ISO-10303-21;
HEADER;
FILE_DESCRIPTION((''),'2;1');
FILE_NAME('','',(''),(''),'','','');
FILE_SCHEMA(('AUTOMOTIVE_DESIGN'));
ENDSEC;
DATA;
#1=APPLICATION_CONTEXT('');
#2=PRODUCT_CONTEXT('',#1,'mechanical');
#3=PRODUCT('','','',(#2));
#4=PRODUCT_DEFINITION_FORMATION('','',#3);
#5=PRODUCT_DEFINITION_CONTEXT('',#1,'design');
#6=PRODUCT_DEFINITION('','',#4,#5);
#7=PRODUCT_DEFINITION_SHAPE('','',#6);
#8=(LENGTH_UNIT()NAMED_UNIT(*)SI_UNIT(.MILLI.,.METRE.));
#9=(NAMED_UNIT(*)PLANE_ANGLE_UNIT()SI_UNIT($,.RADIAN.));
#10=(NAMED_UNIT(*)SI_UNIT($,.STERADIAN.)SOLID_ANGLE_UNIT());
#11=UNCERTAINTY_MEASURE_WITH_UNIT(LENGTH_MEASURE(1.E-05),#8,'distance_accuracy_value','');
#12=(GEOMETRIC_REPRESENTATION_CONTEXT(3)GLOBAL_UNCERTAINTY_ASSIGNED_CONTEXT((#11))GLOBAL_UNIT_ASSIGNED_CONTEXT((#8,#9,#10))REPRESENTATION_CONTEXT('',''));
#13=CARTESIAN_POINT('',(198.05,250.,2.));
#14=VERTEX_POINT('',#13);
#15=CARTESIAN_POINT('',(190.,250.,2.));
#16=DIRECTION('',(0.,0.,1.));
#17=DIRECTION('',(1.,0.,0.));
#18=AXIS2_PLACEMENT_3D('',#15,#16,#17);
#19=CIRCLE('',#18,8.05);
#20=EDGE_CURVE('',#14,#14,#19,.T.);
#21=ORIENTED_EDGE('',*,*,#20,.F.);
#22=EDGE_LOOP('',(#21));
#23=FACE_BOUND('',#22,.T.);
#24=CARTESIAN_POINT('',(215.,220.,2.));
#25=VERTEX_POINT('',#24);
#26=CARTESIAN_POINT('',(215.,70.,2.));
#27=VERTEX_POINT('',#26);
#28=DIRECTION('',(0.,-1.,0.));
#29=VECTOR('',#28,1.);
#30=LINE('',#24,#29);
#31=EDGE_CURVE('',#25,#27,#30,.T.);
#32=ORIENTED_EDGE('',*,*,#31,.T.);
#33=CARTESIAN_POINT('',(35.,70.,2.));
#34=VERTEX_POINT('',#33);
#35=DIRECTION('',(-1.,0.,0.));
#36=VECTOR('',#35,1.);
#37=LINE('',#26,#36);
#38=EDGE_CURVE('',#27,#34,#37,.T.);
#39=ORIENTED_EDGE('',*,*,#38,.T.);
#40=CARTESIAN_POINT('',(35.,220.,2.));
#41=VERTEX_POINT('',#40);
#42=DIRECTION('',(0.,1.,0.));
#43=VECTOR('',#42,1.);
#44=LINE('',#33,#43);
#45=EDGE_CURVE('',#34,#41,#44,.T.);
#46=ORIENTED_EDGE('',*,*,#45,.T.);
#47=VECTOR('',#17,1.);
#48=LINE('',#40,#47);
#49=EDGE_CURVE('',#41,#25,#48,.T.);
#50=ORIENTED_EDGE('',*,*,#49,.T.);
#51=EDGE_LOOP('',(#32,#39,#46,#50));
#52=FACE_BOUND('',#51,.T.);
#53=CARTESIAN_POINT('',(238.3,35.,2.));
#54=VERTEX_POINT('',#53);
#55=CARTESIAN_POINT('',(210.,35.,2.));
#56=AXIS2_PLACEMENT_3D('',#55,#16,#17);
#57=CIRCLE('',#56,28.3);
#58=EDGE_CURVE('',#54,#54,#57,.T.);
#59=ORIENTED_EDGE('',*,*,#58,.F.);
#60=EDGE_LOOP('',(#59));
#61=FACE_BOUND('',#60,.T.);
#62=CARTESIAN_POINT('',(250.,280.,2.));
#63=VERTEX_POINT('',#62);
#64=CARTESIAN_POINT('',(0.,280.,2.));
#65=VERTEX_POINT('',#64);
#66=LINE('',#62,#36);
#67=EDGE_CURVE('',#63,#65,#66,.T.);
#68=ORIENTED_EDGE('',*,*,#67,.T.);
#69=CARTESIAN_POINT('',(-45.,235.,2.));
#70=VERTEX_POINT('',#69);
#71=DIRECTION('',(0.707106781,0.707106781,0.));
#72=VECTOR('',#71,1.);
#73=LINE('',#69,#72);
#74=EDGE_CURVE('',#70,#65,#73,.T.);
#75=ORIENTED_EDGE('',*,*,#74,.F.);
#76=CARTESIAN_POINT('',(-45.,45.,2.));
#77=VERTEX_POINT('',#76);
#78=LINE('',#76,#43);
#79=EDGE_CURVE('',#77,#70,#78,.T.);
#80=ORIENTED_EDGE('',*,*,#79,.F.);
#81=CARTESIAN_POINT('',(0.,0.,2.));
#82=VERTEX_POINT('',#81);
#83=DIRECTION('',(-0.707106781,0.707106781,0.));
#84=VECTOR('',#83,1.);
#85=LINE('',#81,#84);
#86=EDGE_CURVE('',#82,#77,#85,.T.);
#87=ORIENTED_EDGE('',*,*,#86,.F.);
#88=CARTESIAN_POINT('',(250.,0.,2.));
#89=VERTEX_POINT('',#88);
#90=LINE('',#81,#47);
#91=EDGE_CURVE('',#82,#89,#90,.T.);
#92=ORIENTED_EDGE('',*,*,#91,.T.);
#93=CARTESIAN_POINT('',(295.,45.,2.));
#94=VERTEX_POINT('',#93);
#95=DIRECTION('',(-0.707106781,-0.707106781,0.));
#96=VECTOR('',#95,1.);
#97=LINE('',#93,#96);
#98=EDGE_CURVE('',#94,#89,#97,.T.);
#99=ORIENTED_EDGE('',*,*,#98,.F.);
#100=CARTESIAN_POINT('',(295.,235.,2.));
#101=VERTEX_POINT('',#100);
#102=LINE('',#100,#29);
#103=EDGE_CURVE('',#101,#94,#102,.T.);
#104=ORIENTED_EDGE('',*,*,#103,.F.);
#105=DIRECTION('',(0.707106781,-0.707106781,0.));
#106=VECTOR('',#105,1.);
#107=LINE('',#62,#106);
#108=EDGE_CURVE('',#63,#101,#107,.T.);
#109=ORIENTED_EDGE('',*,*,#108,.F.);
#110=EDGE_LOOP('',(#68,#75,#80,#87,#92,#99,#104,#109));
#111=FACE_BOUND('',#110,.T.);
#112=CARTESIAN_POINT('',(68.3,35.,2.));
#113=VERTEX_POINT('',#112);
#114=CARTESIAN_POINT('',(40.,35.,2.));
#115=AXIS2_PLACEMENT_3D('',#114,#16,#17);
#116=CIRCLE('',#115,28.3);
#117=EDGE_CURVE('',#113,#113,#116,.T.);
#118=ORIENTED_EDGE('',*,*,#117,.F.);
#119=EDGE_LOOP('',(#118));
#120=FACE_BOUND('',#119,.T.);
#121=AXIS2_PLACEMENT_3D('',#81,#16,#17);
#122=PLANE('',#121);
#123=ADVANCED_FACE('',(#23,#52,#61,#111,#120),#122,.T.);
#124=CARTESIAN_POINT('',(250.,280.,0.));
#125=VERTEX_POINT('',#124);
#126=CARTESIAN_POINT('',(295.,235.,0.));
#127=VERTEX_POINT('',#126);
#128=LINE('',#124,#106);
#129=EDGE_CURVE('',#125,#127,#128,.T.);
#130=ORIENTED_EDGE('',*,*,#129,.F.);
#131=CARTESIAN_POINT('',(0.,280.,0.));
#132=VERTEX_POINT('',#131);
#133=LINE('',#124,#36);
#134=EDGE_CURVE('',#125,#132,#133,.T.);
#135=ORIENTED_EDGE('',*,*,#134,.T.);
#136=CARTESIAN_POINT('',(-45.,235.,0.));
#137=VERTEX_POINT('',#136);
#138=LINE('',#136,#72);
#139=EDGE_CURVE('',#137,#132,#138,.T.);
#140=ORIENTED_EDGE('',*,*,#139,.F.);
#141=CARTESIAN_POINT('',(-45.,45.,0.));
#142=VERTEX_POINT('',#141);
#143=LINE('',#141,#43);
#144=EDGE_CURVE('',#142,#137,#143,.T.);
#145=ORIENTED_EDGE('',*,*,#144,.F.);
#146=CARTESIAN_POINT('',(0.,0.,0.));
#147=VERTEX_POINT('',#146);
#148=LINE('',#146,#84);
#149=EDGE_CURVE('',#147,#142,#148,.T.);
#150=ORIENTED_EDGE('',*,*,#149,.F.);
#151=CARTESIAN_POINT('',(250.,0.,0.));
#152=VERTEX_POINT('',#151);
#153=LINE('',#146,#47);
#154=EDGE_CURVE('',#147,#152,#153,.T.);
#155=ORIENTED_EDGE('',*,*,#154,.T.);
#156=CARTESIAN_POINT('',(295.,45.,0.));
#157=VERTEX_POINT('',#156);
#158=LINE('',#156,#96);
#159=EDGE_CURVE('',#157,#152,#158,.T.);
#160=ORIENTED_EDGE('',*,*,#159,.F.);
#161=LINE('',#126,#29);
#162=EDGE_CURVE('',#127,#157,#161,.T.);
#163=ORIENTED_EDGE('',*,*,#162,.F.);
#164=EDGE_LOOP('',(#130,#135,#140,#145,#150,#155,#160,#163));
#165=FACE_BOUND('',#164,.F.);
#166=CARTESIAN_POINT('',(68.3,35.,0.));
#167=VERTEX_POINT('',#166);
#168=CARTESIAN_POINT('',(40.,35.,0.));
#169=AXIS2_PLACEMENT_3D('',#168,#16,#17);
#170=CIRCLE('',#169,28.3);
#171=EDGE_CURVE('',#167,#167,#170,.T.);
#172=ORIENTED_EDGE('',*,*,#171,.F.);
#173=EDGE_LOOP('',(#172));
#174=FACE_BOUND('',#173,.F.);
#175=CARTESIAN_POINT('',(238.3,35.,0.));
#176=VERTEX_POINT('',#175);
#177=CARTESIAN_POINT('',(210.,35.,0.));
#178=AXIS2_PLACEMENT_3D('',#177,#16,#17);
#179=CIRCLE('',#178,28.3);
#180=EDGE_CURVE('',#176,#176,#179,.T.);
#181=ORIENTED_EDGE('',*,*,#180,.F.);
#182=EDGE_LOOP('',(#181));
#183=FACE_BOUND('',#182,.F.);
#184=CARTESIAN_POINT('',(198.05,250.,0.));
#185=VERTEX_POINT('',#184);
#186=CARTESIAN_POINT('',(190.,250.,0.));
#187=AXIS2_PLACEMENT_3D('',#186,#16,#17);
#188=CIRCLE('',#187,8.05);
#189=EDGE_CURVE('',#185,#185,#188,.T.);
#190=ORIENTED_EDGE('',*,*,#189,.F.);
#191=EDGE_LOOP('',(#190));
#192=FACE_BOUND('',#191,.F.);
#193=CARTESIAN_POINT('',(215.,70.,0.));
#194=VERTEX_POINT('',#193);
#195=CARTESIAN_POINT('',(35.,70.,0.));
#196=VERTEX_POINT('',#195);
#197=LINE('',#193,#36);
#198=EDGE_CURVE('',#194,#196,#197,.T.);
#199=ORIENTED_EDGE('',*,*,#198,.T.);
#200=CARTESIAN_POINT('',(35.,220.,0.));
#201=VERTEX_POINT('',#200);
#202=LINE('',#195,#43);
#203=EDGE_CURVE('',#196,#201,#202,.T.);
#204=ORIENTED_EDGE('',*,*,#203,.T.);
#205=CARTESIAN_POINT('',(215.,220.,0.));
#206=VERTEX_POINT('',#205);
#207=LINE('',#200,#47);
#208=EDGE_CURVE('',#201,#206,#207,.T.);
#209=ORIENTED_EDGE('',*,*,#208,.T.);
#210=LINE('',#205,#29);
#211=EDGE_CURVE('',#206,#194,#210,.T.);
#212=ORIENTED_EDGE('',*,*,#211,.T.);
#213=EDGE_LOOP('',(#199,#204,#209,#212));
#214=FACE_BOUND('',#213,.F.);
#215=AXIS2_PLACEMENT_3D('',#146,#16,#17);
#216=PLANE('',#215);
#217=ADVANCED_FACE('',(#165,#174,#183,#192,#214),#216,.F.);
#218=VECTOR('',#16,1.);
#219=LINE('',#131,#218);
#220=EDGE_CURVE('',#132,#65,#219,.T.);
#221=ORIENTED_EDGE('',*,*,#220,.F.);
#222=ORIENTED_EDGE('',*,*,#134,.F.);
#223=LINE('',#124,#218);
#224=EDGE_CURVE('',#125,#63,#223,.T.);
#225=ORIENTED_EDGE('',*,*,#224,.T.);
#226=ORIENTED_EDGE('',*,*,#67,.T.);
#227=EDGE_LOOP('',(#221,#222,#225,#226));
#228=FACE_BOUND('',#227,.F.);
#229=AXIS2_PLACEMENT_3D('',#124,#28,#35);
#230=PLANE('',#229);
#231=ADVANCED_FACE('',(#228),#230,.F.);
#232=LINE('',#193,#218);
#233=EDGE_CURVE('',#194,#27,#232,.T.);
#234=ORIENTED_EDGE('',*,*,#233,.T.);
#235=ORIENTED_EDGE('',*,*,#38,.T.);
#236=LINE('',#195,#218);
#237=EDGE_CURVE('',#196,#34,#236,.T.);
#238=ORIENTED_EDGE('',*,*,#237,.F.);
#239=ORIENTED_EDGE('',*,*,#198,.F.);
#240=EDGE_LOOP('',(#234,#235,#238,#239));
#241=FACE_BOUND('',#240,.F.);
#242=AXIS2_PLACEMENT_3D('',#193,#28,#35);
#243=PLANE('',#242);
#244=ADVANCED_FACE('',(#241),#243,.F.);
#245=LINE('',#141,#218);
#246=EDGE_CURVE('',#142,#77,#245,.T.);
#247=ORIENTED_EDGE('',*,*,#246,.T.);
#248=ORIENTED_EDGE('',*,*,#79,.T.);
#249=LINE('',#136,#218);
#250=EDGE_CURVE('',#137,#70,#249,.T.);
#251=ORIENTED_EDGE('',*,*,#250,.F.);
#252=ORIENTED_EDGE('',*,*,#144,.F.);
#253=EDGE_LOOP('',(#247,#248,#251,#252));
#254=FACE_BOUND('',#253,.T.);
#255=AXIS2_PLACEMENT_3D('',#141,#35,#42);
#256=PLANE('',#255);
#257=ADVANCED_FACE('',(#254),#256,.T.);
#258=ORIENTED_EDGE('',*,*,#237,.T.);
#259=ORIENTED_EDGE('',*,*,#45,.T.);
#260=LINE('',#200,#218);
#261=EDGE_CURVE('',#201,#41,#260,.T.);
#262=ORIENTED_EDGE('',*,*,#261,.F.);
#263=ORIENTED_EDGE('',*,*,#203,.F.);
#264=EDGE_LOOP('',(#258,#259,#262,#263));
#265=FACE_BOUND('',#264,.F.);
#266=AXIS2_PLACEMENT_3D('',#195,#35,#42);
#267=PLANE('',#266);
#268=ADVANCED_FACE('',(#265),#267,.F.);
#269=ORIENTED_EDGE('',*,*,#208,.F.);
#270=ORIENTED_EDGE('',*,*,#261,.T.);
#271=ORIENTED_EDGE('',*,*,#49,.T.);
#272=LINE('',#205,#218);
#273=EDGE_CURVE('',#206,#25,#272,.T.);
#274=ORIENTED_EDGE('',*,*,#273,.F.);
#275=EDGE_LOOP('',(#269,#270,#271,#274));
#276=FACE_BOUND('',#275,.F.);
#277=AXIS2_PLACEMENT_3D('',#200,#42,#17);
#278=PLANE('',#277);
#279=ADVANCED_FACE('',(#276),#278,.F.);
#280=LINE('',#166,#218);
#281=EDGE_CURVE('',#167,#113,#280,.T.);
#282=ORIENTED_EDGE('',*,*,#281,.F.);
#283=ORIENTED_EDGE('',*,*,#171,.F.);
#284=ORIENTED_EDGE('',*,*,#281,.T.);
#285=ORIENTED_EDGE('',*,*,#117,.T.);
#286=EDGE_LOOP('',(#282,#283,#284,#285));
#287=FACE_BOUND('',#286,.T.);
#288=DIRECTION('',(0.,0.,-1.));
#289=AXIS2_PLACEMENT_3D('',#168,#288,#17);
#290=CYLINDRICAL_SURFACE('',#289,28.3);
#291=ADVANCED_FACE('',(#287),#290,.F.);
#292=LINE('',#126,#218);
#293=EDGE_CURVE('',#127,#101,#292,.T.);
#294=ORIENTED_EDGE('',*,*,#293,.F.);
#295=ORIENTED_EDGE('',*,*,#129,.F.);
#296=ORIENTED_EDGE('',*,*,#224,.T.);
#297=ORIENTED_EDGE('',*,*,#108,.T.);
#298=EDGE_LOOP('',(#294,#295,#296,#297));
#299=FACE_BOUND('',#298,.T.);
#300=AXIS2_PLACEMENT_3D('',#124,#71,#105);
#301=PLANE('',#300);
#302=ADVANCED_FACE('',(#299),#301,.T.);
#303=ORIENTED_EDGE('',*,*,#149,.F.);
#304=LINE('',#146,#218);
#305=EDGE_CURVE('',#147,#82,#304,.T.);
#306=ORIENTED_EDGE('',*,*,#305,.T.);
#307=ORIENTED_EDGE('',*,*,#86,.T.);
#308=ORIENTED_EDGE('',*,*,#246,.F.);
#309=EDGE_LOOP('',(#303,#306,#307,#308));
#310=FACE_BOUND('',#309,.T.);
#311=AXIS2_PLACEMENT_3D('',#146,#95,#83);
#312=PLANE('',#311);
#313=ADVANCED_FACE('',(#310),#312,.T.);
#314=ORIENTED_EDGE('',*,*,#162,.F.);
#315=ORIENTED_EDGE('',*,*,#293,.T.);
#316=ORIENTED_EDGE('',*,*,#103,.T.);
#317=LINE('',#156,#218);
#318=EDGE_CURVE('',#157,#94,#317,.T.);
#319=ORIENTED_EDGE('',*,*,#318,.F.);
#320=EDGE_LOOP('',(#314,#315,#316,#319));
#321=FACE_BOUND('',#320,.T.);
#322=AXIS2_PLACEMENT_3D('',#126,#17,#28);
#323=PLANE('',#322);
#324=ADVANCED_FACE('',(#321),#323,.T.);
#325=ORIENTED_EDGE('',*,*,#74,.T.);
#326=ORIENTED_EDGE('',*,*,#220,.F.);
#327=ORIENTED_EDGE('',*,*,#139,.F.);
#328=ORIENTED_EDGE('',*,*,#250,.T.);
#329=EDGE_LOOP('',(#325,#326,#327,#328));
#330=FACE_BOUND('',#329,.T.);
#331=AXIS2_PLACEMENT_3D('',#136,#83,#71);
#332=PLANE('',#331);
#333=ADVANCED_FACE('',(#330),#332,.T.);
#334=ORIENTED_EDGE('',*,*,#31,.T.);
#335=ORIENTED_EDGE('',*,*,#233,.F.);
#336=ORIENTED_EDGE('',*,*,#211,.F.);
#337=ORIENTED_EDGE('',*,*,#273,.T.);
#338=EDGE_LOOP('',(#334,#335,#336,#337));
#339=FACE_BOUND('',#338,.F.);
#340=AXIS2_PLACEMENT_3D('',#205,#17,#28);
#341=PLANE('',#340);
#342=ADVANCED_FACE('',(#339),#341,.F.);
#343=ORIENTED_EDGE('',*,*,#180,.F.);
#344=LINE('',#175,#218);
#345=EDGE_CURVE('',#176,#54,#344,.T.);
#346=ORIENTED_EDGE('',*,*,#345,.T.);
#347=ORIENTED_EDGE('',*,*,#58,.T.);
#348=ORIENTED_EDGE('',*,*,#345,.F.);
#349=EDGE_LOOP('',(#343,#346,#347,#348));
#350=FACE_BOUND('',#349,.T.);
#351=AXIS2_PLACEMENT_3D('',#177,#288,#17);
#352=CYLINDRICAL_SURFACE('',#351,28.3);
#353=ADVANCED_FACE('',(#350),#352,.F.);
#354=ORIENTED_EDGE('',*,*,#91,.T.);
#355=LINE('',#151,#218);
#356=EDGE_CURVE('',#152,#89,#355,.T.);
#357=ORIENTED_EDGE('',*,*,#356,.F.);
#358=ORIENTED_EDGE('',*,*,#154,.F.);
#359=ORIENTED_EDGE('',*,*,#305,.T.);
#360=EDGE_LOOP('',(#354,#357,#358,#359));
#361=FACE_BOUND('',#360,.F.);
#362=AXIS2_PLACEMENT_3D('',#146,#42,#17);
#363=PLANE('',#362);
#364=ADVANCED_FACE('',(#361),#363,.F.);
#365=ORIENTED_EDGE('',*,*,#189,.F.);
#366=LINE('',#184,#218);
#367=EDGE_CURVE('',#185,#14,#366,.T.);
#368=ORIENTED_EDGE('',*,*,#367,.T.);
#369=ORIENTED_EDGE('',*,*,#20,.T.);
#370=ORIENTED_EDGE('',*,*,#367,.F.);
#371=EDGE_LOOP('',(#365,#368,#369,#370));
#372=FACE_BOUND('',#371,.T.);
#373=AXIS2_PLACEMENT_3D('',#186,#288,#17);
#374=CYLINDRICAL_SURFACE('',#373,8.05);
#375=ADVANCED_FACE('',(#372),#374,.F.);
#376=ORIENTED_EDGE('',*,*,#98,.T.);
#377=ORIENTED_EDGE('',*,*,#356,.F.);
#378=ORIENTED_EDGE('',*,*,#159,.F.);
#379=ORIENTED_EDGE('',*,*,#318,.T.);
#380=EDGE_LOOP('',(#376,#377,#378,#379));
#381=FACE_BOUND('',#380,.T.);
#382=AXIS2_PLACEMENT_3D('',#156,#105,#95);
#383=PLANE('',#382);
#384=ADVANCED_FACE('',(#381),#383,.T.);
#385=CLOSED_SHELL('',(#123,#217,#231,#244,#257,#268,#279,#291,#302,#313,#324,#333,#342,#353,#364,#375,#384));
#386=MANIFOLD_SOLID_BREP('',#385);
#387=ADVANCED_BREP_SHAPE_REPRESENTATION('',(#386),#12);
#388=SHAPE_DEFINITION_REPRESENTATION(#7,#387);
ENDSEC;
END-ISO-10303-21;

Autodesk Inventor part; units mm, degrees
ref_plane "YZ Plane" through (0, 0, 0) normal (1, 0, 0) x (0, 1, 0)
ref_plane "XZ Plane" through (0, 0, 0) normal (0, 1, 0) x (-1, 0, 0)
ref_plane "XY Plane" through (0, 0, 0) normal (0, 0, 1) x (1, 0, 0)
sketch "Эскиз1" plane through (0, 0, 0) normal (0, 0, 1) x (1, 0, 0)
  line L0 (0, 0) -> (250, 0)
  line L1 (250, 0) -> (250, 280)
  line L2 (250, 280) -> (0, 280)
  line L3 (0, 280) -> (0, 0)
  line L4 (250, 280) -> (295, 235)
  line L5 (295, 235) -> (295, 45)
  line L6 (295, 45) -> (250, 0)
  line L7 (0, 0) -> (-45, 45)
  line L8 (-45, 45) -> (-45, 235)
  line L9 (-45, 235) -> (0, 280)
  line L10 (35, 220) -> (215, 220)
  line L11 (215, 220) -> (215, 70)
  line L12 (215, 70) -> (35, 70)
  line L13 (35, 70) -> (35, 220)
  circle A0 centre (40, 35) radius 28.3
  circle A1 centre (210, 35) radius 28.3
  line L14 (125, 280) -> (125, 0) construction
  line L15 (40, 35) -> (210, 35) construction
  circle A2 centre (190, 250) radius 8.05
  point P0 (125, 220)
  point P1 (125, 35)
  dimension "d0" = 45
  dimension "d1" = 280
  dimension "d2" = 250
  dimension "d4" = 45
  dimension "d5" = 70
  dimension "d6" = 150
  dimension "d7" = 180
  dimension "d8" = 56.6
  dimension "d9" = 35
  dimension "d11" = 170
  dimension "d14" = 16.1
  dimension "d15" = 30
  dimension "d16" = 60
extrude "Выдавливание1" add sketch "Эскиз1" along normal blind 2
properties part number "face"
